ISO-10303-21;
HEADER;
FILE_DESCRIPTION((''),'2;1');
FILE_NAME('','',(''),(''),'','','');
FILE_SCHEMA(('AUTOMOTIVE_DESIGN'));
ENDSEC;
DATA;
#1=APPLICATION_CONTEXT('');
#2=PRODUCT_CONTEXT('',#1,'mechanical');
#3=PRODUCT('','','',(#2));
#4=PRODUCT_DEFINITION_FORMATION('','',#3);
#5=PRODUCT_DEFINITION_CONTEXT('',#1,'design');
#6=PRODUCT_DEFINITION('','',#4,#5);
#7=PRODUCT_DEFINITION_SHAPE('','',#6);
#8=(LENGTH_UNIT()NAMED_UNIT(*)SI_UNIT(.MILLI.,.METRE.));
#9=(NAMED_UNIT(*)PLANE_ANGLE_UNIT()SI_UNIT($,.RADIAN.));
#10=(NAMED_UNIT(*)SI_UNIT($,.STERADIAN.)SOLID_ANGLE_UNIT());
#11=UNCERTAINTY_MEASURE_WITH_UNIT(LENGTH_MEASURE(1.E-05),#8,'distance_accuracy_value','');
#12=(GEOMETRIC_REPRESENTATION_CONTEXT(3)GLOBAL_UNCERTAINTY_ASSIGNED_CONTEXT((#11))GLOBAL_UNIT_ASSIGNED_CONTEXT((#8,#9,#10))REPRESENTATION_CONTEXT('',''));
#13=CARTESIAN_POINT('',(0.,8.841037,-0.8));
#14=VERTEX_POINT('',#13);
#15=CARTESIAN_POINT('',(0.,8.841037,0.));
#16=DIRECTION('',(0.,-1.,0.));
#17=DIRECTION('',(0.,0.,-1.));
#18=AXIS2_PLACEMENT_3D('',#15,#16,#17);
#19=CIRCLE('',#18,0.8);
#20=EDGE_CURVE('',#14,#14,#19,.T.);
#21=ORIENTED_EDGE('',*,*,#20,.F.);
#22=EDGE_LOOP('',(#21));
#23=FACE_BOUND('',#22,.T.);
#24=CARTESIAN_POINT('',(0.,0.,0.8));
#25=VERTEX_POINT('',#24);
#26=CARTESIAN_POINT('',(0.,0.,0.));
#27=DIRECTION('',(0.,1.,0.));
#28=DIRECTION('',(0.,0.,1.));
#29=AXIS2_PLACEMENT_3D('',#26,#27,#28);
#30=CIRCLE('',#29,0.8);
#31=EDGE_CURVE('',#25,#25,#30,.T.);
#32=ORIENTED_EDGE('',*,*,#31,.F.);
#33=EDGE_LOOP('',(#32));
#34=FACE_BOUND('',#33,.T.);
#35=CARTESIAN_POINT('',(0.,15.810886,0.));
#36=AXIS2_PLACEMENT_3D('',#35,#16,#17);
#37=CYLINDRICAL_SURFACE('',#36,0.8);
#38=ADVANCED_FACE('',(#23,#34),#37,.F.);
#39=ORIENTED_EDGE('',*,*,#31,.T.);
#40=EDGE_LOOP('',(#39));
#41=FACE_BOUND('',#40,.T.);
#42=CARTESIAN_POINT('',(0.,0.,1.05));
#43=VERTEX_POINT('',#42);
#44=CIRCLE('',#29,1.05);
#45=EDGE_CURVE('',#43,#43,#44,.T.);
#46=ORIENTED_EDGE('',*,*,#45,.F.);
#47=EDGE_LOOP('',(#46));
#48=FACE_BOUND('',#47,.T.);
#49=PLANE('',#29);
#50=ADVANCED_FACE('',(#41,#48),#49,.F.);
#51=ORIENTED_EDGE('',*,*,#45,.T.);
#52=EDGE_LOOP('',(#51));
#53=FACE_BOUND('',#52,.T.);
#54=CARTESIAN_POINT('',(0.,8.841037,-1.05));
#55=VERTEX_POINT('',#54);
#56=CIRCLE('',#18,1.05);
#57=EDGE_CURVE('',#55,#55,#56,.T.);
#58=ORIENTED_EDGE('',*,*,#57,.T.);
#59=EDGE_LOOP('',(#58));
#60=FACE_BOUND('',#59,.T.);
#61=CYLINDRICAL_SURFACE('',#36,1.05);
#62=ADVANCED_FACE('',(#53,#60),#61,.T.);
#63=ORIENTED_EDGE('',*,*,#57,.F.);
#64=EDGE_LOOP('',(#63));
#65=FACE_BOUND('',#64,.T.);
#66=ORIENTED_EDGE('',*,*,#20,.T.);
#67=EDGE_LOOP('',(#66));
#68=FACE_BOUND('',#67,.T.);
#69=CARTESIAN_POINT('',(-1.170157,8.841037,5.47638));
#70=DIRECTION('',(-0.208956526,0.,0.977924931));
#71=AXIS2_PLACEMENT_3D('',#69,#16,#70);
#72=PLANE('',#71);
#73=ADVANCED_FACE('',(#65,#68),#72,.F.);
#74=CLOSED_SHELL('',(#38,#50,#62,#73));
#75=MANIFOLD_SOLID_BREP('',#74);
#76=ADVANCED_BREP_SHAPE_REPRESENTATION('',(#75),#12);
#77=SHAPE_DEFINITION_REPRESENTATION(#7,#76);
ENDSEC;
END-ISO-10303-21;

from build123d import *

# Parameters (mm, degrees)
SKETCH1_R           = 1.05
SKETCH1_R_2         = 0.8
BOSS_EXTRUDE1_DEPTH = 8.841037076


with BuildPart() as part:
    # Sketch1 → Boss-Extrude1 (new body)
    with BuildSketch(Plane(origin=(0, 0, 0), x_dir=(1, 0, 0), z_dir=(0, 1, 0))):
        with Locations(Location((0, 0, 0), (0, 0, 90))):
            Circle(SKETCH1_R)
        with Locations(Location((0, 0, 0), (0, 0, 90))):
            Circle(SKETCH1_R_2, mode=Mode.SUBTRACT)
    extrude(amount=BOSS_EXTRUDE1_DEPTH)


solid = part.part
